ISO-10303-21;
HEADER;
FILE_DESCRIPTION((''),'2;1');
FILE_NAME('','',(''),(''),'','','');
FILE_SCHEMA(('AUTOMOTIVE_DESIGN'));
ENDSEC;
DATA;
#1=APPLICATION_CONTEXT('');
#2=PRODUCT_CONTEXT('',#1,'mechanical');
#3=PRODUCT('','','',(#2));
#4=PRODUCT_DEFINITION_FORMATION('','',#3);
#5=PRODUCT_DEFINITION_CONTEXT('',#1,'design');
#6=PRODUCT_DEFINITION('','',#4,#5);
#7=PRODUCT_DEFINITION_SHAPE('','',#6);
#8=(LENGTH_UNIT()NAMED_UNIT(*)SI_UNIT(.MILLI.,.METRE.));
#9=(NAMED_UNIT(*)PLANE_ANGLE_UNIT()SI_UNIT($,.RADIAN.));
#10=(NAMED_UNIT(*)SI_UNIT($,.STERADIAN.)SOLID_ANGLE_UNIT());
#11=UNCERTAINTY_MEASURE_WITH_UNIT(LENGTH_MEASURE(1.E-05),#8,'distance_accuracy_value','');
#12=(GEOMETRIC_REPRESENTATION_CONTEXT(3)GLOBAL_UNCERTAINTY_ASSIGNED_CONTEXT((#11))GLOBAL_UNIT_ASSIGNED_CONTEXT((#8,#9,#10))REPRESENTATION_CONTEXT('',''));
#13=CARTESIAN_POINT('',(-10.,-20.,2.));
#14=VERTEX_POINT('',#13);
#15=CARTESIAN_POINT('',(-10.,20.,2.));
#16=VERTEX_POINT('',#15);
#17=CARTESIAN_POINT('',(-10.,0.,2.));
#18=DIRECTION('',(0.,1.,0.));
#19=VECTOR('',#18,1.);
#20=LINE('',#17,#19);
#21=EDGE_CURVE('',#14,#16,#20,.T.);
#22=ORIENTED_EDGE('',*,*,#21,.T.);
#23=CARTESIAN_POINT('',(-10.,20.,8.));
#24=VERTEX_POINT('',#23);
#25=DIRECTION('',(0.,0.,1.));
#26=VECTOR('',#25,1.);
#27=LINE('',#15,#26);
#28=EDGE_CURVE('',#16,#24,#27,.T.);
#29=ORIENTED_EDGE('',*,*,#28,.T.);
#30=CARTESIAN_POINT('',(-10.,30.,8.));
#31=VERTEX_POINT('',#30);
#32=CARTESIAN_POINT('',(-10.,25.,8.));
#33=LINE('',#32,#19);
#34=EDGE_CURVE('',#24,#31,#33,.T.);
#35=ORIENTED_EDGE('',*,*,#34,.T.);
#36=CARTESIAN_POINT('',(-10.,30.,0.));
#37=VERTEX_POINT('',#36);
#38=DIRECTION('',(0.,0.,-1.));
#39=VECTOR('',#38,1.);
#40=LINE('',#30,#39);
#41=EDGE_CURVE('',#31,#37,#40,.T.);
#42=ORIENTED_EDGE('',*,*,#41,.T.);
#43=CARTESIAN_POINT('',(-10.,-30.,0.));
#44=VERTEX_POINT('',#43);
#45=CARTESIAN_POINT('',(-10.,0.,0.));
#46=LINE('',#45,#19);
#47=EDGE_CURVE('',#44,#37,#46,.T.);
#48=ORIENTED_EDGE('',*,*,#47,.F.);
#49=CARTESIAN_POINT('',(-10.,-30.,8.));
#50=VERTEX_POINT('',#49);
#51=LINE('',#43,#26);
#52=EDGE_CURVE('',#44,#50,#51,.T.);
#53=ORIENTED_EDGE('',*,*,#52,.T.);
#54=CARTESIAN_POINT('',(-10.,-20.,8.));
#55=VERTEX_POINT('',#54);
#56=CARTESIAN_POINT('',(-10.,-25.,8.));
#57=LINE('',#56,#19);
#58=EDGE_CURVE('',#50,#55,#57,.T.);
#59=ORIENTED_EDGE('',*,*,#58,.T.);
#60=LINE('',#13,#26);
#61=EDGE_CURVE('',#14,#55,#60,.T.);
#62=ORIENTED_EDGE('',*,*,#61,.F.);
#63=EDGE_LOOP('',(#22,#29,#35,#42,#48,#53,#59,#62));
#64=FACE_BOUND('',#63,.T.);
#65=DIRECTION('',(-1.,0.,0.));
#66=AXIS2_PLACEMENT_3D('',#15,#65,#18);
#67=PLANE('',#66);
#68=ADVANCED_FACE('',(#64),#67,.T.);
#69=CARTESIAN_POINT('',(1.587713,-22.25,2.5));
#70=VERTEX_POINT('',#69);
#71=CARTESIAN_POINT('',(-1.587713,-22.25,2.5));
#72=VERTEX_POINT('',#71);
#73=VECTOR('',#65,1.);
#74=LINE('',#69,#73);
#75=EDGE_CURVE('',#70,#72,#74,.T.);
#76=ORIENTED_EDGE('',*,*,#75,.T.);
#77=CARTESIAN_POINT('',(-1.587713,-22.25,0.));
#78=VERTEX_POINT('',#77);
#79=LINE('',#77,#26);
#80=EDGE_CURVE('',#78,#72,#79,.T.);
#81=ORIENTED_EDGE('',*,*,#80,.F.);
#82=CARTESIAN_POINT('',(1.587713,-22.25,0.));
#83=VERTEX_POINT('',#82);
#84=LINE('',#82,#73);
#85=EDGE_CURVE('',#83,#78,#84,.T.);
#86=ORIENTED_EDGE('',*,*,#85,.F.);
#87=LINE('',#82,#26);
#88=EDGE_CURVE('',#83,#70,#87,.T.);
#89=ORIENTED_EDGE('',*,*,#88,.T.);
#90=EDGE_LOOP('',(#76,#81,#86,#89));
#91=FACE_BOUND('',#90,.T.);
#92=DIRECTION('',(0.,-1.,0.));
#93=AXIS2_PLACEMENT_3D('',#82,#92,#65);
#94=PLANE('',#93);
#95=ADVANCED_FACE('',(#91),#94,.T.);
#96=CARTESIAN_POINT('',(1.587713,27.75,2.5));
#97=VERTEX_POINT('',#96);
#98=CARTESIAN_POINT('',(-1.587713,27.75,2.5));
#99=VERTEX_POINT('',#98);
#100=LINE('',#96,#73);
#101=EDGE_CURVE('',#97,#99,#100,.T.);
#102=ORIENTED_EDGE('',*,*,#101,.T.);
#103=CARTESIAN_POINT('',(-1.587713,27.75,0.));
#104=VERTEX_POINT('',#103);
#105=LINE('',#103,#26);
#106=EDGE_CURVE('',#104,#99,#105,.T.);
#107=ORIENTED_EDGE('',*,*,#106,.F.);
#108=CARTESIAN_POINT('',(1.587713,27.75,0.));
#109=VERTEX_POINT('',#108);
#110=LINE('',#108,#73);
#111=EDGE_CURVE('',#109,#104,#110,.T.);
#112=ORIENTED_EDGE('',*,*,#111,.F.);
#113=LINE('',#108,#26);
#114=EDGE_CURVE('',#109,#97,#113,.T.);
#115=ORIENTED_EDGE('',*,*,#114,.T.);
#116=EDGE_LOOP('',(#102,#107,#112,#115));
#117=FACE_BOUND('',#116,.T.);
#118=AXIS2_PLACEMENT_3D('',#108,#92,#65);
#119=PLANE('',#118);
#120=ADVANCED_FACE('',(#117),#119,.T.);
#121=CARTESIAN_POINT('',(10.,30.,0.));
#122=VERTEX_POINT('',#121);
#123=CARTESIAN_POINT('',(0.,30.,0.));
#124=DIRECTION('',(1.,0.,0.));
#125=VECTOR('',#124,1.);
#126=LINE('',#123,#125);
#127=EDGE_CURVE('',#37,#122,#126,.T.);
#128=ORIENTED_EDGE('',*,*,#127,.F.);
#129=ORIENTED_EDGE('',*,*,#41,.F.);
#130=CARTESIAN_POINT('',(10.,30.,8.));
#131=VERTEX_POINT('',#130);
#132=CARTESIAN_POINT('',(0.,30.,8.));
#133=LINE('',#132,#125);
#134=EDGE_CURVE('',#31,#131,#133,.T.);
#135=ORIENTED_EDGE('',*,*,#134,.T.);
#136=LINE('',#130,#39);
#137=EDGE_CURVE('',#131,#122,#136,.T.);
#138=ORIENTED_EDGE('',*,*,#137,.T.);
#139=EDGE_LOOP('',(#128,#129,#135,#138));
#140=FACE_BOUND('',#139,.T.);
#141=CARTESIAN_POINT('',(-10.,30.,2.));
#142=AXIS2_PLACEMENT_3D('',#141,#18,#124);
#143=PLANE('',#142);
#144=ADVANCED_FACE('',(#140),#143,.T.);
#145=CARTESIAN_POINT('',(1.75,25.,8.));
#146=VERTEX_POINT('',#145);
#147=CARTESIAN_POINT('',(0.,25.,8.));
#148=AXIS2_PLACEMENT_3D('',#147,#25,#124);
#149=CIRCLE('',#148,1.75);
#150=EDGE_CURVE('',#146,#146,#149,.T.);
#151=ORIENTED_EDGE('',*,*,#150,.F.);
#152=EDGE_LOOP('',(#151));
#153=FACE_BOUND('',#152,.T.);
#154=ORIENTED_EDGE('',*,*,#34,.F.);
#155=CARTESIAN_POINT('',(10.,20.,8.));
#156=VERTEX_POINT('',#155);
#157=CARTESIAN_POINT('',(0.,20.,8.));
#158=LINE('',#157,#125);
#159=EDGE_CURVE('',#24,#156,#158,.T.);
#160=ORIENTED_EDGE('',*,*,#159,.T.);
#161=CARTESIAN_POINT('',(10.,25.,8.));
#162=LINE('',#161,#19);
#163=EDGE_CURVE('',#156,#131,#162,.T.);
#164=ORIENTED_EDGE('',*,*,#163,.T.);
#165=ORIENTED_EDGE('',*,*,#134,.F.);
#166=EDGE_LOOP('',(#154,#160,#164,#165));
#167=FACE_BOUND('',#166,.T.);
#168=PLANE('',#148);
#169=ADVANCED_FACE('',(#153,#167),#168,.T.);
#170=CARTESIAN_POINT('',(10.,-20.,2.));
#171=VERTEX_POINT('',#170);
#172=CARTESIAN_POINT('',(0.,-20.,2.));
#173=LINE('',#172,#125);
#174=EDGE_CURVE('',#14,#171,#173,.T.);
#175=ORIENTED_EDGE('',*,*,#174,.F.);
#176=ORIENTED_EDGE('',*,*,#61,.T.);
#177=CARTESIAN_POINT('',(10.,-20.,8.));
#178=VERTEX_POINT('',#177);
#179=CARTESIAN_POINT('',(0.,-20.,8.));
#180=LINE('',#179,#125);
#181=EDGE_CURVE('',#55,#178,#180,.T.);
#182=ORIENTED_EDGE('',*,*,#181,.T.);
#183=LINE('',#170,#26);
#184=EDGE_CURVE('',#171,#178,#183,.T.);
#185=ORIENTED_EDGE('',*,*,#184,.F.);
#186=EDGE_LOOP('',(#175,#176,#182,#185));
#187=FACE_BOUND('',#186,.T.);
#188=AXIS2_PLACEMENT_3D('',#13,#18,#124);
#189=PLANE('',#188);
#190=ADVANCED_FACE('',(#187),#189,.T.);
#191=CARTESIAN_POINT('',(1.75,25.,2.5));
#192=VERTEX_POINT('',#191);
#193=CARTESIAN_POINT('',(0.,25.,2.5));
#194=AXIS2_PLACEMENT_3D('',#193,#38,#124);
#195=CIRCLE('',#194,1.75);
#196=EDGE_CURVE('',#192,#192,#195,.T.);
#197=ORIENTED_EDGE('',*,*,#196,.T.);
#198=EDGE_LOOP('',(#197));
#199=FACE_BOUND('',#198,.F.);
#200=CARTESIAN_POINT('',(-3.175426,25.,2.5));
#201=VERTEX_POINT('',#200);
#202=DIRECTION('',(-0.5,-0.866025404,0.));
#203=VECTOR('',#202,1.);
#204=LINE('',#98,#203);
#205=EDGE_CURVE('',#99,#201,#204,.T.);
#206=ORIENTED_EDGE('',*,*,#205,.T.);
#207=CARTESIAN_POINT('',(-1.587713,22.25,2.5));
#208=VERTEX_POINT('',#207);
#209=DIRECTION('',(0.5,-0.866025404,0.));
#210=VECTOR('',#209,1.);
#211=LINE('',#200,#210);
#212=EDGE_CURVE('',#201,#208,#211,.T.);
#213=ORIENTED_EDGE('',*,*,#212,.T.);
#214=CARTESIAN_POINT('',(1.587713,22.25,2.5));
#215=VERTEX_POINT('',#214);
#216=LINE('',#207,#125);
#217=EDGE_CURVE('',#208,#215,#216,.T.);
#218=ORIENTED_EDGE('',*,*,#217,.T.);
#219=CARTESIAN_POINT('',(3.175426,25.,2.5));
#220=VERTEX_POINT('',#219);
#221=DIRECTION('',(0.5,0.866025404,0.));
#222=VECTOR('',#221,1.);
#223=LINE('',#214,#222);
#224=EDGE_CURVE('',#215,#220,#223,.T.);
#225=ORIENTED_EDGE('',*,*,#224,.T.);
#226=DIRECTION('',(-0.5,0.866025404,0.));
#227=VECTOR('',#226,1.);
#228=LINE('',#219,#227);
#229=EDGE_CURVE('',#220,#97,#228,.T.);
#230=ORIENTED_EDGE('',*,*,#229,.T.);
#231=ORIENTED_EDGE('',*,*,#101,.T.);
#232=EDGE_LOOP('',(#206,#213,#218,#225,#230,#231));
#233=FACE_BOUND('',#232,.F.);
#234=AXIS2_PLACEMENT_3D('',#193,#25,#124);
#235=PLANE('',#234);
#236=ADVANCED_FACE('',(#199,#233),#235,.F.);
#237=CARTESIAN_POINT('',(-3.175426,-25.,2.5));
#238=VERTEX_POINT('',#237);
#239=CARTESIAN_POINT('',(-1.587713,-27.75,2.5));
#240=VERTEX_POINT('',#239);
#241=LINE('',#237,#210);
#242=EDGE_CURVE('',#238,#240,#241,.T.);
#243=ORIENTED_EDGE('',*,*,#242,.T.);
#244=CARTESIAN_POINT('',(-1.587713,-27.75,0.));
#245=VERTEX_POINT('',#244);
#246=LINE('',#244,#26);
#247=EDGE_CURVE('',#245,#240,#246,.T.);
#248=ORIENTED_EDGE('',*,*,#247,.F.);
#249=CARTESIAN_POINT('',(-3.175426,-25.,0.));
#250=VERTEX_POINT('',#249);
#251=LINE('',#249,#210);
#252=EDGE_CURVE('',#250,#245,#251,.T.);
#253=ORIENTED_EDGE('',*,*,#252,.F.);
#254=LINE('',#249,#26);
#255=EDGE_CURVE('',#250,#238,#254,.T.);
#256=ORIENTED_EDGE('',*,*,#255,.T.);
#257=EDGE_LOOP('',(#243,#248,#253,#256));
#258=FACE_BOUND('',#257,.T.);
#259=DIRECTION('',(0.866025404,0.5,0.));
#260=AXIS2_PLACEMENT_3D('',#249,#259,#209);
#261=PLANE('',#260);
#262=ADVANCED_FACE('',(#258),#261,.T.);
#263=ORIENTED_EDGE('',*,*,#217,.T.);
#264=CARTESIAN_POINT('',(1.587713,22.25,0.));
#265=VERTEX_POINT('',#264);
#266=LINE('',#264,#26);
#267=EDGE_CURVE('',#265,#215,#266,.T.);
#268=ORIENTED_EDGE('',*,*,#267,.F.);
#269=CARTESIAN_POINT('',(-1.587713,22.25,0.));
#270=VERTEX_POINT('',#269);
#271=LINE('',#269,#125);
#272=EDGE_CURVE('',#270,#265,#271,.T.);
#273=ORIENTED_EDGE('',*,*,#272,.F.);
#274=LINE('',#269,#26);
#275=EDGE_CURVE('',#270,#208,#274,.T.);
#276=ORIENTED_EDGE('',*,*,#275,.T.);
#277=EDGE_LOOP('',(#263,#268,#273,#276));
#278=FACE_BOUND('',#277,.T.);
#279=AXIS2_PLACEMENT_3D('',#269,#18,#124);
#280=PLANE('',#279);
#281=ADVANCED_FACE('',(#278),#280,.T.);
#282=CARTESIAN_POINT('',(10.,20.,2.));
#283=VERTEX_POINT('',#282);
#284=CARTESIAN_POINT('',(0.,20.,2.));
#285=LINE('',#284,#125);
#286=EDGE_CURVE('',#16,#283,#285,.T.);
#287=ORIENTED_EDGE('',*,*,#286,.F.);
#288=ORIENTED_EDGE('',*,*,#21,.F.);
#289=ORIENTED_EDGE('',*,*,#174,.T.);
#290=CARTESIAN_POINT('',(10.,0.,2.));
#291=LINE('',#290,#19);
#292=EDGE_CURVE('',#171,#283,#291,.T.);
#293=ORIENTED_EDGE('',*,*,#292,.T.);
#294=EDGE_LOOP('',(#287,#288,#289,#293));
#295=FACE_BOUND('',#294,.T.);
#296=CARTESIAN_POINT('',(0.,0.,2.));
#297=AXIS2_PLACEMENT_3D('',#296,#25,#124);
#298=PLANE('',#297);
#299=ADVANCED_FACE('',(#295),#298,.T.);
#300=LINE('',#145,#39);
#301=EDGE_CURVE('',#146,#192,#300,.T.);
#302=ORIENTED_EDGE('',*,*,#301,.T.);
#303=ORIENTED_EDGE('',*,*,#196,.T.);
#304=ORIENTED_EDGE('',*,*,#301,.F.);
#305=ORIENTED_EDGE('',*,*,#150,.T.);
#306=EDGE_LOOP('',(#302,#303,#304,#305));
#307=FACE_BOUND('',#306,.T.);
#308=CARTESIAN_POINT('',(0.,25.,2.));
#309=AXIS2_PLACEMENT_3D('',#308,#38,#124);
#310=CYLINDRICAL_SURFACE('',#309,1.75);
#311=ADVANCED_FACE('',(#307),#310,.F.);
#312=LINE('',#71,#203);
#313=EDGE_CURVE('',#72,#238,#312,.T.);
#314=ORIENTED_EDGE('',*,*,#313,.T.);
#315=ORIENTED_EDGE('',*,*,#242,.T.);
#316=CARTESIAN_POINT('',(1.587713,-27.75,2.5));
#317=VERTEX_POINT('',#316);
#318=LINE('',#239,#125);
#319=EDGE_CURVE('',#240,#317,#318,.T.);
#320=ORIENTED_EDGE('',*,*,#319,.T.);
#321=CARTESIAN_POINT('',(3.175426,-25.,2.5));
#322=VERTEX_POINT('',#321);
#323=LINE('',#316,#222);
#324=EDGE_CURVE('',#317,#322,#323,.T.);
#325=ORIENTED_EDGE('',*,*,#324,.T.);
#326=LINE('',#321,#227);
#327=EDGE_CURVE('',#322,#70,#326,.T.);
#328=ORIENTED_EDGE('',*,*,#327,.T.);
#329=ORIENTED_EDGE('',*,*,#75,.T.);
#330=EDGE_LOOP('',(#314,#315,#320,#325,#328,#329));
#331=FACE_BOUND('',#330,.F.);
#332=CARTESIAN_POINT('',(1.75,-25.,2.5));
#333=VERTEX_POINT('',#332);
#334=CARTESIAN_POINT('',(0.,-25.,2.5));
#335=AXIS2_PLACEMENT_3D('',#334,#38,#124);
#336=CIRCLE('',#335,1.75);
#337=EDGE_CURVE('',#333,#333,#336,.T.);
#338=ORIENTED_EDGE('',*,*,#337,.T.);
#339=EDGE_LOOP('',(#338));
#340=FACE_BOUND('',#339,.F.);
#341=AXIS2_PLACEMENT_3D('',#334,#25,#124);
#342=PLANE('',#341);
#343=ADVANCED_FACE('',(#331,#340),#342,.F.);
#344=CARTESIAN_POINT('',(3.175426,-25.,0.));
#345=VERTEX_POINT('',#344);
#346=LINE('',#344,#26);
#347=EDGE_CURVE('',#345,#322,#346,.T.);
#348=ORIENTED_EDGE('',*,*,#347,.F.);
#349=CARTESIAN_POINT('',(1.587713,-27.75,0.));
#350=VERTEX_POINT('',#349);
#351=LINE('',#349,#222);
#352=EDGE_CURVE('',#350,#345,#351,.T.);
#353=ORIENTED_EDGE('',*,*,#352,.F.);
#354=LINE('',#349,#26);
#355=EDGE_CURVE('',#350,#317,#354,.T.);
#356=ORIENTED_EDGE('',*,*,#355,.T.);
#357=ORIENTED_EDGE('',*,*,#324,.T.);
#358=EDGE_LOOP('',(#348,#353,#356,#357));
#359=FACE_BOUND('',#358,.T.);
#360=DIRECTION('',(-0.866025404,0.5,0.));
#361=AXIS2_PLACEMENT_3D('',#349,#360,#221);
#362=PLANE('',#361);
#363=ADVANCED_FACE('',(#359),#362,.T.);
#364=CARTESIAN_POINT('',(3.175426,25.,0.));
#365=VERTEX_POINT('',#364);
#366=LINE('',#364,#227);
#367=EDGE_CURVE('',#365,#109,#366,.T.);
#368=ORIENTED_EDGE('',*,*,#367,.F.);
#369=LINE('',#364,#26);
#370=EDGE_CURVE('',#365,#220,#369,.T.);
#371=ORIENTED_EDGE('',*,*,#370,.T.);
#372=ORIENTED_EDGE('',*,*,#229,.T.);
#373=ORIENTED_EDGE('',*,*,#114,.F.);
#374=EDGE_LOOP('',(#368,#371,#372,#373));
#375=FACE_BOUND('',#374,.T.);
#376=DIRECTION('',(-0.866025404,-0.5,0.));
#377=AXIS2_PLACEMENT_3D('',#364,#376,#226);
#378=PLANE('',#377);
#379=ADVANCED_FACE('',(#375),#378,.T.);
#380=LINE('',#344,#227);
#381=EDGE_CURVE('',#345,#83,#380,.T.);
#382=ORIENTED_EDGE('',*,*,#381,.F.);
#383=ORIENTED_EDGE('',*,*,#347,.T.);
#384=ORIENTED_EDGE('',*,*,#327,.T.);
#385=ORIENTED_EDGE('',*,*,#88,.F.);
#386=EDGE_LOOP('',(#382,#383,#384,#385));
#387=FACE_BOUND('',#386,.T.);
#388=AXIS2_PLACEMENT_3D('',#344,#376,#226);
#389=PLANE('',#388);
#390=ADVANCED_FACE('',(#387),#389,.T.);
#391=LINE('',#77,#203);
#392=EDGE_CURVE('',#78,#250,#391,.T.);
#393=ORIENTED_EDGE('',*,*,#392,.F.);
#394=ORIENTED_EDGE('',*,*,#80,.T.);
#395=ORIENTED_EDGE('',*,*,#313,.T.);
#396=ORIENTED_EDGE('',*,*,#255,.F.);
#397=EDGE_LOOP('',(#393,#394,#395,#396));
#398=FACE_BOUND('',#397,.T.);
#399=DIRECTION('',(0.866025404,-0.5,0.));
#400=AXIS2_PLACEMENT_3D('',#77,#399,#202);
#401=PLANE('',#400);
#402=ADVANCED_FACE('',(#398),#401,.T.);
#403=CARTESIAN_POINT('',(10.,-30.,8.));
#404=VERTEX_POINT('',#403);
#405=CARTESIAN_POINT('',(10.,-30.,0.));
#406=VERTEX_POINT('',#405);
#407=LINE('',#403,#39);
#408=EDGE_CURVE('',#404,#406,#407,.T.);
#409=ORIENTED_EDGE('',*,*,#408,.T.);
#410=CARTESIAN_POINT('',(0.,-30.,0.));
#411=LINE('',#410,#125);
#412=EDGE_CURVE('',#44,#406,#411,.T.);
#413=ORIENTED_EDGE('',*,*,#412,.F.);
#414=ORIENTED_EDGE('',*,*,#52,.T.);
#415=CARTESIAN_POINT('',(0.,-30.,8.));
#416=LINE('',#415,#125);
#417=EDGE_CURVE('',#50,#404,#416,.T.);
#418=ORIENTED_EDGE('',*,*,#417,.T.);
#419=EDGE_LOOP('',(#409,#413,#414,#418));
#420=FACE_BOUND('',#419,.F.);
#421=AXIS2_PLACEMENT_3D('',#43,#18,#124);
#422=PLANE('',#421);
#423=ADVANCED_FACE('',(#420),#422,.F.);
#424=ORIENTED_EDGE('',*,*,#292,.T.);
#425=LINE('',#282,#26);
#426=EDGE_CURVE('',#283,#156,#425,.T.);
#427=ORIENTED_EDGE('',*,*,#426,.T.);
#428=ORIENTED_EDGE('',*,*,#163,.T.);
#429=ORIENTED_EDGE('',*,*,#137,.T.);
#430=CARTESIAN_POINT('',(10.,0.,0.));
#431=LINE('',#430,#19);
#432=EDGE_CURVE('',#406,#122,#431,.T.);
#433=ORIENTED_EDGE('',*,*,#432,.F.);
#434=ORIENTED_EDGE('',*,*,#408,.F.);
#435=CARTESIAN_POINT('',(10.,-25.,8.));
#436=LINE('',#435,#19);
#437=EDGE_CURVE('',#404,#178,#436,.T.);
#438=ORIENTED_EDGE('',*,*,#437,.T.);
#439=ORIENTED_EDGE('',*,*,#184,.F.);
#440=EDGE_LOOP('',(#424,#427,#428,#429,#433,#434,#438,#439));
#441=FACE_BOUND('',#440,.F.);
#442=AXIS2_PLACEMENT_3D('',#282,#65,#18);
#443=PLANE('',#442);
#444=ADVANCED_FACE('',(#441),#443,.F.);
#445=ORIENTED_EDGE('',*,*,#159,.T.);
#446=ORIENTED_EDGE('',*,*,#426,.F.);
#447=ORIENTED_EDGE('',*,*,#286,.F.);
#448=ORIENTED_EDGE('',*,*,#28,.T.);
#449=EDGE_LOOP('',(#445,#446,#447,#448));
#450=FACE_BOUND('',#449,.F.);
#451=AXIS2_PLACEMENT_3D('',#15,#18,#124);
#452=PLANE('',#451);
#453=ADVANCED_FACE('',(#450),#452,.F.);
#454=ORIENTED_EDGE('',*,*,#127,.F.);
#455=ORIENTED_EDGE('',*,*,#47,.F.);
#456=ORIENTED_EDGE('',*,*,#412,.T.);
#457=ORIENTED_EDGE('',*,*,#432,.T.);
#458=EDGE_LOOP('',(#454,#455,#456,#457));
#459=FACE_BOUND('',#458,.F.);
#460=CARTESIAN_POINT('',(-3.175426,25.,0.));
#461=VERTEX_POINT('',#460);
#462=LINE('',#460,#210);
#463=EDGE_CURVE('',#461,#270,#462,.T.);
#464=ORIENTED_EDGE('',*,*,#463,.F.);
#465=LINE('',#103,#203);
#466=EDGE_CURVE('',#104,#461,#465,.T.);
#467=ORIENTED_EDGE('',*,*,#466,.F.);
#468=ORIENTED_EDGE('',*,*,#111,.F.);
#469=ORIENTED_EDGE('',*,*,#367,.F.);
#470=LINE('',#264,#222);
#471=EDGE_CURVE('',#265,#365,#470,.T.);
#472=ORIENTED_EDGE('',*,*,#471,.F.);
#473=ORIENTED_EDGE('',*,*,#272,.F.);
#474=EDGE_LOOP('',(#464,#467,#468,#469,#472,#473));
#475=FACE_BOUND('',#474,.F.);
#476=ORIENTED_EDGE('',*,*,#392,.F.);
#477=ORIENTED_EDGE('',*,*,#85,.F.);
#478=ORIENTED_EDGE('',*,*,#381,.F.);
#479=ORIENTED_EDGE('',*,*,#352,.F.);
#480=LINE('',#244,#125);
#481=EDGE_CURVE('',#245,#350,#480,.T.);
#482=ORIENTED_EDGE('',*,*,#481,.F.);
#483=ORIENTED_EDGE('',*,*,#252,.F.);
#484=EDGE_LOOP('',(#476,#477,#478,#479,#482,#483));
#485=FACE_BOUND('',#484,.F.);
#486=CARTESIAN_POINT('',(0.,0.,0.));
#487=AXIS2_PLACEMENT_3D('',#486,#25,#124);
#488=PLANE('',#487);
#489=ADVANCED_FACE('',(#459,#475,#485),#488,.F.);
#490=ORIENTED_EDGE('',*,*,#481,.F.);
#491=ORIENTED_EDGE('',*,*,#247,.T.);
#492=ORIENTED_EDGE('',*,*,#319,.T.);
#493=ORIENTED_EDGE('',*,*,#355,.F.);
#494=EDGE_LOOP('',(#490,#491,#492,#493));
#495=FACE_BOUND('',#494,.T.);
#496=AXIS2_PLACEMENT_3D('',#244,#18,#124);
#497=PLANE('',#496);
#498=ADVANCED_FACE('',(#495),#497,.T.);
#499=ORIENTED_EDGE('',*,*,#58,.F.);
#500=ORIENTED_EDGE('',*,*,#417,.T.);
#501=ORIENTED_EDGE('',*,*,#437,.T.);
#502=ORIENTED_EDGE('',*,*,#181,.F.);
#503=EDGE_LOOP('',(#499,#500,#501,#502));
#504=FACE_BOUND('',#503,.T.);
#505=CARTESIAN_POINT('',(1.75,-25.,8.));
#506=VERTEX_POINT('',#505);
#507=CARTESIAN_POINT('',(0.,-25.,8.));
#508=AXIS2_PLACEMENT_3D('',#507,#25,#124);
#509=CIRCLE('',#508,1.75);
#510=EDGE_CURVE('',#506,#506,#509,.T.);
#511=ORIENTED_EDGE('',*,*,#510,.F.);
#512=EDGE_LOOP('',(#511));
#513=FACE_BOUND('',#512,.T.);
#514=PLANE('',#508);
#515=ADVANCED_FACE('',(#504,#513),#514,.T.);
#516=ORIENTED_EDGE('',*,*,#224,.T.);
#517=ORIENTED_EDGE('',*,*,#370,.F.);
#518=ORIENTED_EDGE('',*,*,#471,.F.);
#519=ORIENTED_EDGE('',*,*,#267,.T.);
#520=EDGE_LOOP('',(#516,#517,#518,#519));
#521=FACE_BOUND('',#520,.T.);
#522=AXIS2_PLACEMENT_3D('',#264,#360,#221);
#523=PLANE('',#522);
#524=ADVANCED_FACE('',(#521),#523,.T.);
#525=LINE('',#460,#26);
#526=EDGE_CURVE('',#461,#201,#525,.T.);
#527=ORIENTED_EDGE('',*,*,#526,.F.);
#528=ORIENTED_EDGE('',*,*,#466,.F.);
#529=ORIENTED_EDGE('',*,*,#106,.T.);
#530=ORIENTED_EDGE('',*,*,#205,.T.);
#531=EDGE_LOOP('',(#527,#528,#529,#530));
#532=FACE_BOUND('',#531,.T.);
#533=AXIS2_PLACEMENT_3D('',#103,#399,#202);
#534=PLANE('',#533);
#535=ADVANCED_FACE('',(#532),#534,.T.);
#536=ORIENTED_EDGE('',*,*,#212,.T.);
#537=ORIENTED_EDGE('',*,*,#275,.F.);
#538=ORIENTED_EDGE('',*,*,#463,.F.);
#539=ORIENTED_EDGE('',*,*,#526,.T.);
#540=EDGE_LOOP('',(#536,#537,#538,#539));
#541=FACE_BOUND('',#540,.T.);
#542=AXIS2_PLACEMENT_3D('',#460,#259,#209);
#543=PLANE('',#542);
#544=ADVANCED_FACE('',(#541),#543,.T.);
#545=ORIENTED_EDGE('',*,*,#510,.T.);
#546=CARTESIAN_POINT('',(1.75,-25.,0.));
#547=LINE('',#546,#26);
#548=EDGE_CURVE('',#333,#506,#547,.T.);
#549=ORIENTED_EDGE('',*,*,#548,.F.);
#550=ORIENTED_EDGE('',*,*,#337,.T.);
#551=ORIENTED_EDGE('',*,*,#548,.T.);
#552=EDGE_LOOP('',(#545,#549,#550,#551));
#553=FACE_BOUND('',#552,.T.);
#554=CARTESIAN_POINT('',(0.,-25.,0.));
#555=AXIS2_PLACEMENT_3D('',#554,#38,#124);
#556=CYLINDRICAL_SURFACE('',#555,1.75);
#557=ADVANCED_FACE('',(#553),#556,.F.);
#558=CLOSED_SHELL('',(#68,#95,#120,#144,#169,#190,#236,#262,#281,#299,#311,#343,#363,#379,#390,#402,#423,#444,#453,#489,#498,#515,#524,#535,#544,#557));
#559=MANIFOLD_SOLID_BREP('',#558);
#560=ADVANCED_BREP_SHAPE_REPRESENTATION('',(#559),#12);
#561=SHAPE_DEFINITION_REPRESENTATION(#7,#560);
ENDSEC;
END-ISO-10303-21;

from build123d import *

# Parameters (mm, degrees)
F0_W     = 20
F0_H     = 60
F0_R     = 1.75
F1_DEPTH = 2
F2_W     = 20
F2_H     = 10
F2_R     = 1.75
F3_DEPTH = 6
F5_DEPTH = 2.5


with BuildPart() as f1:
    # F0 (on Top) → F1 (new body)
    with BuildSketch(Plane.XY):
        Rectangle(F0_W, F0_H)
        with Locations((0, -25)):
            Circle(F0_R, mode=Mode.SUBTRACT)
        with Locations((0, 25)):
            Circle(F0_R, mode=Mode.SUBTRACT)
    extrude(amount=F1_DEPTH)

    # F2 (on face) → F3 (join)
    with BuildSketch(Plane.XY.offset(2)):
        with Locations((0, 25)):
            Rectangle(F2_W, F2_H)
        with Locations((0, 25)):
            Circle(F2_R, mode=Mode.SUBTRACT)
        with Locations((0, -25)):
            Rectangle(F2_W, F2_H)
        with Locations((0, -25)):
            Circle(F2_R, mode=Mode.SUBTRACT)
    extrude(amount=F3_DEPTH)

    # F4 (on face) → F5 (cut)
    with BuildSketch(Plane.XY):
        Polygon((1.5877132403, -22.25), (-1.5877132403, -22.25), (-3.1754264805, -25), (-1.5877132403, -27.75), (1.5877132403, -27.75), (3.1754264805, -25), align=None)
        Polygon((1.5877132403, 27.75), (-1.5877132403, 27.75), (-3.1754264805, 25), (-1.5877132403, 22.25), (1.5877132403, 22.25), (3.1754264805, 25), align=None)
    extrude(amount=F5_DEPTH, mode=Mode.SUBTRACT)


solid = f1.part
